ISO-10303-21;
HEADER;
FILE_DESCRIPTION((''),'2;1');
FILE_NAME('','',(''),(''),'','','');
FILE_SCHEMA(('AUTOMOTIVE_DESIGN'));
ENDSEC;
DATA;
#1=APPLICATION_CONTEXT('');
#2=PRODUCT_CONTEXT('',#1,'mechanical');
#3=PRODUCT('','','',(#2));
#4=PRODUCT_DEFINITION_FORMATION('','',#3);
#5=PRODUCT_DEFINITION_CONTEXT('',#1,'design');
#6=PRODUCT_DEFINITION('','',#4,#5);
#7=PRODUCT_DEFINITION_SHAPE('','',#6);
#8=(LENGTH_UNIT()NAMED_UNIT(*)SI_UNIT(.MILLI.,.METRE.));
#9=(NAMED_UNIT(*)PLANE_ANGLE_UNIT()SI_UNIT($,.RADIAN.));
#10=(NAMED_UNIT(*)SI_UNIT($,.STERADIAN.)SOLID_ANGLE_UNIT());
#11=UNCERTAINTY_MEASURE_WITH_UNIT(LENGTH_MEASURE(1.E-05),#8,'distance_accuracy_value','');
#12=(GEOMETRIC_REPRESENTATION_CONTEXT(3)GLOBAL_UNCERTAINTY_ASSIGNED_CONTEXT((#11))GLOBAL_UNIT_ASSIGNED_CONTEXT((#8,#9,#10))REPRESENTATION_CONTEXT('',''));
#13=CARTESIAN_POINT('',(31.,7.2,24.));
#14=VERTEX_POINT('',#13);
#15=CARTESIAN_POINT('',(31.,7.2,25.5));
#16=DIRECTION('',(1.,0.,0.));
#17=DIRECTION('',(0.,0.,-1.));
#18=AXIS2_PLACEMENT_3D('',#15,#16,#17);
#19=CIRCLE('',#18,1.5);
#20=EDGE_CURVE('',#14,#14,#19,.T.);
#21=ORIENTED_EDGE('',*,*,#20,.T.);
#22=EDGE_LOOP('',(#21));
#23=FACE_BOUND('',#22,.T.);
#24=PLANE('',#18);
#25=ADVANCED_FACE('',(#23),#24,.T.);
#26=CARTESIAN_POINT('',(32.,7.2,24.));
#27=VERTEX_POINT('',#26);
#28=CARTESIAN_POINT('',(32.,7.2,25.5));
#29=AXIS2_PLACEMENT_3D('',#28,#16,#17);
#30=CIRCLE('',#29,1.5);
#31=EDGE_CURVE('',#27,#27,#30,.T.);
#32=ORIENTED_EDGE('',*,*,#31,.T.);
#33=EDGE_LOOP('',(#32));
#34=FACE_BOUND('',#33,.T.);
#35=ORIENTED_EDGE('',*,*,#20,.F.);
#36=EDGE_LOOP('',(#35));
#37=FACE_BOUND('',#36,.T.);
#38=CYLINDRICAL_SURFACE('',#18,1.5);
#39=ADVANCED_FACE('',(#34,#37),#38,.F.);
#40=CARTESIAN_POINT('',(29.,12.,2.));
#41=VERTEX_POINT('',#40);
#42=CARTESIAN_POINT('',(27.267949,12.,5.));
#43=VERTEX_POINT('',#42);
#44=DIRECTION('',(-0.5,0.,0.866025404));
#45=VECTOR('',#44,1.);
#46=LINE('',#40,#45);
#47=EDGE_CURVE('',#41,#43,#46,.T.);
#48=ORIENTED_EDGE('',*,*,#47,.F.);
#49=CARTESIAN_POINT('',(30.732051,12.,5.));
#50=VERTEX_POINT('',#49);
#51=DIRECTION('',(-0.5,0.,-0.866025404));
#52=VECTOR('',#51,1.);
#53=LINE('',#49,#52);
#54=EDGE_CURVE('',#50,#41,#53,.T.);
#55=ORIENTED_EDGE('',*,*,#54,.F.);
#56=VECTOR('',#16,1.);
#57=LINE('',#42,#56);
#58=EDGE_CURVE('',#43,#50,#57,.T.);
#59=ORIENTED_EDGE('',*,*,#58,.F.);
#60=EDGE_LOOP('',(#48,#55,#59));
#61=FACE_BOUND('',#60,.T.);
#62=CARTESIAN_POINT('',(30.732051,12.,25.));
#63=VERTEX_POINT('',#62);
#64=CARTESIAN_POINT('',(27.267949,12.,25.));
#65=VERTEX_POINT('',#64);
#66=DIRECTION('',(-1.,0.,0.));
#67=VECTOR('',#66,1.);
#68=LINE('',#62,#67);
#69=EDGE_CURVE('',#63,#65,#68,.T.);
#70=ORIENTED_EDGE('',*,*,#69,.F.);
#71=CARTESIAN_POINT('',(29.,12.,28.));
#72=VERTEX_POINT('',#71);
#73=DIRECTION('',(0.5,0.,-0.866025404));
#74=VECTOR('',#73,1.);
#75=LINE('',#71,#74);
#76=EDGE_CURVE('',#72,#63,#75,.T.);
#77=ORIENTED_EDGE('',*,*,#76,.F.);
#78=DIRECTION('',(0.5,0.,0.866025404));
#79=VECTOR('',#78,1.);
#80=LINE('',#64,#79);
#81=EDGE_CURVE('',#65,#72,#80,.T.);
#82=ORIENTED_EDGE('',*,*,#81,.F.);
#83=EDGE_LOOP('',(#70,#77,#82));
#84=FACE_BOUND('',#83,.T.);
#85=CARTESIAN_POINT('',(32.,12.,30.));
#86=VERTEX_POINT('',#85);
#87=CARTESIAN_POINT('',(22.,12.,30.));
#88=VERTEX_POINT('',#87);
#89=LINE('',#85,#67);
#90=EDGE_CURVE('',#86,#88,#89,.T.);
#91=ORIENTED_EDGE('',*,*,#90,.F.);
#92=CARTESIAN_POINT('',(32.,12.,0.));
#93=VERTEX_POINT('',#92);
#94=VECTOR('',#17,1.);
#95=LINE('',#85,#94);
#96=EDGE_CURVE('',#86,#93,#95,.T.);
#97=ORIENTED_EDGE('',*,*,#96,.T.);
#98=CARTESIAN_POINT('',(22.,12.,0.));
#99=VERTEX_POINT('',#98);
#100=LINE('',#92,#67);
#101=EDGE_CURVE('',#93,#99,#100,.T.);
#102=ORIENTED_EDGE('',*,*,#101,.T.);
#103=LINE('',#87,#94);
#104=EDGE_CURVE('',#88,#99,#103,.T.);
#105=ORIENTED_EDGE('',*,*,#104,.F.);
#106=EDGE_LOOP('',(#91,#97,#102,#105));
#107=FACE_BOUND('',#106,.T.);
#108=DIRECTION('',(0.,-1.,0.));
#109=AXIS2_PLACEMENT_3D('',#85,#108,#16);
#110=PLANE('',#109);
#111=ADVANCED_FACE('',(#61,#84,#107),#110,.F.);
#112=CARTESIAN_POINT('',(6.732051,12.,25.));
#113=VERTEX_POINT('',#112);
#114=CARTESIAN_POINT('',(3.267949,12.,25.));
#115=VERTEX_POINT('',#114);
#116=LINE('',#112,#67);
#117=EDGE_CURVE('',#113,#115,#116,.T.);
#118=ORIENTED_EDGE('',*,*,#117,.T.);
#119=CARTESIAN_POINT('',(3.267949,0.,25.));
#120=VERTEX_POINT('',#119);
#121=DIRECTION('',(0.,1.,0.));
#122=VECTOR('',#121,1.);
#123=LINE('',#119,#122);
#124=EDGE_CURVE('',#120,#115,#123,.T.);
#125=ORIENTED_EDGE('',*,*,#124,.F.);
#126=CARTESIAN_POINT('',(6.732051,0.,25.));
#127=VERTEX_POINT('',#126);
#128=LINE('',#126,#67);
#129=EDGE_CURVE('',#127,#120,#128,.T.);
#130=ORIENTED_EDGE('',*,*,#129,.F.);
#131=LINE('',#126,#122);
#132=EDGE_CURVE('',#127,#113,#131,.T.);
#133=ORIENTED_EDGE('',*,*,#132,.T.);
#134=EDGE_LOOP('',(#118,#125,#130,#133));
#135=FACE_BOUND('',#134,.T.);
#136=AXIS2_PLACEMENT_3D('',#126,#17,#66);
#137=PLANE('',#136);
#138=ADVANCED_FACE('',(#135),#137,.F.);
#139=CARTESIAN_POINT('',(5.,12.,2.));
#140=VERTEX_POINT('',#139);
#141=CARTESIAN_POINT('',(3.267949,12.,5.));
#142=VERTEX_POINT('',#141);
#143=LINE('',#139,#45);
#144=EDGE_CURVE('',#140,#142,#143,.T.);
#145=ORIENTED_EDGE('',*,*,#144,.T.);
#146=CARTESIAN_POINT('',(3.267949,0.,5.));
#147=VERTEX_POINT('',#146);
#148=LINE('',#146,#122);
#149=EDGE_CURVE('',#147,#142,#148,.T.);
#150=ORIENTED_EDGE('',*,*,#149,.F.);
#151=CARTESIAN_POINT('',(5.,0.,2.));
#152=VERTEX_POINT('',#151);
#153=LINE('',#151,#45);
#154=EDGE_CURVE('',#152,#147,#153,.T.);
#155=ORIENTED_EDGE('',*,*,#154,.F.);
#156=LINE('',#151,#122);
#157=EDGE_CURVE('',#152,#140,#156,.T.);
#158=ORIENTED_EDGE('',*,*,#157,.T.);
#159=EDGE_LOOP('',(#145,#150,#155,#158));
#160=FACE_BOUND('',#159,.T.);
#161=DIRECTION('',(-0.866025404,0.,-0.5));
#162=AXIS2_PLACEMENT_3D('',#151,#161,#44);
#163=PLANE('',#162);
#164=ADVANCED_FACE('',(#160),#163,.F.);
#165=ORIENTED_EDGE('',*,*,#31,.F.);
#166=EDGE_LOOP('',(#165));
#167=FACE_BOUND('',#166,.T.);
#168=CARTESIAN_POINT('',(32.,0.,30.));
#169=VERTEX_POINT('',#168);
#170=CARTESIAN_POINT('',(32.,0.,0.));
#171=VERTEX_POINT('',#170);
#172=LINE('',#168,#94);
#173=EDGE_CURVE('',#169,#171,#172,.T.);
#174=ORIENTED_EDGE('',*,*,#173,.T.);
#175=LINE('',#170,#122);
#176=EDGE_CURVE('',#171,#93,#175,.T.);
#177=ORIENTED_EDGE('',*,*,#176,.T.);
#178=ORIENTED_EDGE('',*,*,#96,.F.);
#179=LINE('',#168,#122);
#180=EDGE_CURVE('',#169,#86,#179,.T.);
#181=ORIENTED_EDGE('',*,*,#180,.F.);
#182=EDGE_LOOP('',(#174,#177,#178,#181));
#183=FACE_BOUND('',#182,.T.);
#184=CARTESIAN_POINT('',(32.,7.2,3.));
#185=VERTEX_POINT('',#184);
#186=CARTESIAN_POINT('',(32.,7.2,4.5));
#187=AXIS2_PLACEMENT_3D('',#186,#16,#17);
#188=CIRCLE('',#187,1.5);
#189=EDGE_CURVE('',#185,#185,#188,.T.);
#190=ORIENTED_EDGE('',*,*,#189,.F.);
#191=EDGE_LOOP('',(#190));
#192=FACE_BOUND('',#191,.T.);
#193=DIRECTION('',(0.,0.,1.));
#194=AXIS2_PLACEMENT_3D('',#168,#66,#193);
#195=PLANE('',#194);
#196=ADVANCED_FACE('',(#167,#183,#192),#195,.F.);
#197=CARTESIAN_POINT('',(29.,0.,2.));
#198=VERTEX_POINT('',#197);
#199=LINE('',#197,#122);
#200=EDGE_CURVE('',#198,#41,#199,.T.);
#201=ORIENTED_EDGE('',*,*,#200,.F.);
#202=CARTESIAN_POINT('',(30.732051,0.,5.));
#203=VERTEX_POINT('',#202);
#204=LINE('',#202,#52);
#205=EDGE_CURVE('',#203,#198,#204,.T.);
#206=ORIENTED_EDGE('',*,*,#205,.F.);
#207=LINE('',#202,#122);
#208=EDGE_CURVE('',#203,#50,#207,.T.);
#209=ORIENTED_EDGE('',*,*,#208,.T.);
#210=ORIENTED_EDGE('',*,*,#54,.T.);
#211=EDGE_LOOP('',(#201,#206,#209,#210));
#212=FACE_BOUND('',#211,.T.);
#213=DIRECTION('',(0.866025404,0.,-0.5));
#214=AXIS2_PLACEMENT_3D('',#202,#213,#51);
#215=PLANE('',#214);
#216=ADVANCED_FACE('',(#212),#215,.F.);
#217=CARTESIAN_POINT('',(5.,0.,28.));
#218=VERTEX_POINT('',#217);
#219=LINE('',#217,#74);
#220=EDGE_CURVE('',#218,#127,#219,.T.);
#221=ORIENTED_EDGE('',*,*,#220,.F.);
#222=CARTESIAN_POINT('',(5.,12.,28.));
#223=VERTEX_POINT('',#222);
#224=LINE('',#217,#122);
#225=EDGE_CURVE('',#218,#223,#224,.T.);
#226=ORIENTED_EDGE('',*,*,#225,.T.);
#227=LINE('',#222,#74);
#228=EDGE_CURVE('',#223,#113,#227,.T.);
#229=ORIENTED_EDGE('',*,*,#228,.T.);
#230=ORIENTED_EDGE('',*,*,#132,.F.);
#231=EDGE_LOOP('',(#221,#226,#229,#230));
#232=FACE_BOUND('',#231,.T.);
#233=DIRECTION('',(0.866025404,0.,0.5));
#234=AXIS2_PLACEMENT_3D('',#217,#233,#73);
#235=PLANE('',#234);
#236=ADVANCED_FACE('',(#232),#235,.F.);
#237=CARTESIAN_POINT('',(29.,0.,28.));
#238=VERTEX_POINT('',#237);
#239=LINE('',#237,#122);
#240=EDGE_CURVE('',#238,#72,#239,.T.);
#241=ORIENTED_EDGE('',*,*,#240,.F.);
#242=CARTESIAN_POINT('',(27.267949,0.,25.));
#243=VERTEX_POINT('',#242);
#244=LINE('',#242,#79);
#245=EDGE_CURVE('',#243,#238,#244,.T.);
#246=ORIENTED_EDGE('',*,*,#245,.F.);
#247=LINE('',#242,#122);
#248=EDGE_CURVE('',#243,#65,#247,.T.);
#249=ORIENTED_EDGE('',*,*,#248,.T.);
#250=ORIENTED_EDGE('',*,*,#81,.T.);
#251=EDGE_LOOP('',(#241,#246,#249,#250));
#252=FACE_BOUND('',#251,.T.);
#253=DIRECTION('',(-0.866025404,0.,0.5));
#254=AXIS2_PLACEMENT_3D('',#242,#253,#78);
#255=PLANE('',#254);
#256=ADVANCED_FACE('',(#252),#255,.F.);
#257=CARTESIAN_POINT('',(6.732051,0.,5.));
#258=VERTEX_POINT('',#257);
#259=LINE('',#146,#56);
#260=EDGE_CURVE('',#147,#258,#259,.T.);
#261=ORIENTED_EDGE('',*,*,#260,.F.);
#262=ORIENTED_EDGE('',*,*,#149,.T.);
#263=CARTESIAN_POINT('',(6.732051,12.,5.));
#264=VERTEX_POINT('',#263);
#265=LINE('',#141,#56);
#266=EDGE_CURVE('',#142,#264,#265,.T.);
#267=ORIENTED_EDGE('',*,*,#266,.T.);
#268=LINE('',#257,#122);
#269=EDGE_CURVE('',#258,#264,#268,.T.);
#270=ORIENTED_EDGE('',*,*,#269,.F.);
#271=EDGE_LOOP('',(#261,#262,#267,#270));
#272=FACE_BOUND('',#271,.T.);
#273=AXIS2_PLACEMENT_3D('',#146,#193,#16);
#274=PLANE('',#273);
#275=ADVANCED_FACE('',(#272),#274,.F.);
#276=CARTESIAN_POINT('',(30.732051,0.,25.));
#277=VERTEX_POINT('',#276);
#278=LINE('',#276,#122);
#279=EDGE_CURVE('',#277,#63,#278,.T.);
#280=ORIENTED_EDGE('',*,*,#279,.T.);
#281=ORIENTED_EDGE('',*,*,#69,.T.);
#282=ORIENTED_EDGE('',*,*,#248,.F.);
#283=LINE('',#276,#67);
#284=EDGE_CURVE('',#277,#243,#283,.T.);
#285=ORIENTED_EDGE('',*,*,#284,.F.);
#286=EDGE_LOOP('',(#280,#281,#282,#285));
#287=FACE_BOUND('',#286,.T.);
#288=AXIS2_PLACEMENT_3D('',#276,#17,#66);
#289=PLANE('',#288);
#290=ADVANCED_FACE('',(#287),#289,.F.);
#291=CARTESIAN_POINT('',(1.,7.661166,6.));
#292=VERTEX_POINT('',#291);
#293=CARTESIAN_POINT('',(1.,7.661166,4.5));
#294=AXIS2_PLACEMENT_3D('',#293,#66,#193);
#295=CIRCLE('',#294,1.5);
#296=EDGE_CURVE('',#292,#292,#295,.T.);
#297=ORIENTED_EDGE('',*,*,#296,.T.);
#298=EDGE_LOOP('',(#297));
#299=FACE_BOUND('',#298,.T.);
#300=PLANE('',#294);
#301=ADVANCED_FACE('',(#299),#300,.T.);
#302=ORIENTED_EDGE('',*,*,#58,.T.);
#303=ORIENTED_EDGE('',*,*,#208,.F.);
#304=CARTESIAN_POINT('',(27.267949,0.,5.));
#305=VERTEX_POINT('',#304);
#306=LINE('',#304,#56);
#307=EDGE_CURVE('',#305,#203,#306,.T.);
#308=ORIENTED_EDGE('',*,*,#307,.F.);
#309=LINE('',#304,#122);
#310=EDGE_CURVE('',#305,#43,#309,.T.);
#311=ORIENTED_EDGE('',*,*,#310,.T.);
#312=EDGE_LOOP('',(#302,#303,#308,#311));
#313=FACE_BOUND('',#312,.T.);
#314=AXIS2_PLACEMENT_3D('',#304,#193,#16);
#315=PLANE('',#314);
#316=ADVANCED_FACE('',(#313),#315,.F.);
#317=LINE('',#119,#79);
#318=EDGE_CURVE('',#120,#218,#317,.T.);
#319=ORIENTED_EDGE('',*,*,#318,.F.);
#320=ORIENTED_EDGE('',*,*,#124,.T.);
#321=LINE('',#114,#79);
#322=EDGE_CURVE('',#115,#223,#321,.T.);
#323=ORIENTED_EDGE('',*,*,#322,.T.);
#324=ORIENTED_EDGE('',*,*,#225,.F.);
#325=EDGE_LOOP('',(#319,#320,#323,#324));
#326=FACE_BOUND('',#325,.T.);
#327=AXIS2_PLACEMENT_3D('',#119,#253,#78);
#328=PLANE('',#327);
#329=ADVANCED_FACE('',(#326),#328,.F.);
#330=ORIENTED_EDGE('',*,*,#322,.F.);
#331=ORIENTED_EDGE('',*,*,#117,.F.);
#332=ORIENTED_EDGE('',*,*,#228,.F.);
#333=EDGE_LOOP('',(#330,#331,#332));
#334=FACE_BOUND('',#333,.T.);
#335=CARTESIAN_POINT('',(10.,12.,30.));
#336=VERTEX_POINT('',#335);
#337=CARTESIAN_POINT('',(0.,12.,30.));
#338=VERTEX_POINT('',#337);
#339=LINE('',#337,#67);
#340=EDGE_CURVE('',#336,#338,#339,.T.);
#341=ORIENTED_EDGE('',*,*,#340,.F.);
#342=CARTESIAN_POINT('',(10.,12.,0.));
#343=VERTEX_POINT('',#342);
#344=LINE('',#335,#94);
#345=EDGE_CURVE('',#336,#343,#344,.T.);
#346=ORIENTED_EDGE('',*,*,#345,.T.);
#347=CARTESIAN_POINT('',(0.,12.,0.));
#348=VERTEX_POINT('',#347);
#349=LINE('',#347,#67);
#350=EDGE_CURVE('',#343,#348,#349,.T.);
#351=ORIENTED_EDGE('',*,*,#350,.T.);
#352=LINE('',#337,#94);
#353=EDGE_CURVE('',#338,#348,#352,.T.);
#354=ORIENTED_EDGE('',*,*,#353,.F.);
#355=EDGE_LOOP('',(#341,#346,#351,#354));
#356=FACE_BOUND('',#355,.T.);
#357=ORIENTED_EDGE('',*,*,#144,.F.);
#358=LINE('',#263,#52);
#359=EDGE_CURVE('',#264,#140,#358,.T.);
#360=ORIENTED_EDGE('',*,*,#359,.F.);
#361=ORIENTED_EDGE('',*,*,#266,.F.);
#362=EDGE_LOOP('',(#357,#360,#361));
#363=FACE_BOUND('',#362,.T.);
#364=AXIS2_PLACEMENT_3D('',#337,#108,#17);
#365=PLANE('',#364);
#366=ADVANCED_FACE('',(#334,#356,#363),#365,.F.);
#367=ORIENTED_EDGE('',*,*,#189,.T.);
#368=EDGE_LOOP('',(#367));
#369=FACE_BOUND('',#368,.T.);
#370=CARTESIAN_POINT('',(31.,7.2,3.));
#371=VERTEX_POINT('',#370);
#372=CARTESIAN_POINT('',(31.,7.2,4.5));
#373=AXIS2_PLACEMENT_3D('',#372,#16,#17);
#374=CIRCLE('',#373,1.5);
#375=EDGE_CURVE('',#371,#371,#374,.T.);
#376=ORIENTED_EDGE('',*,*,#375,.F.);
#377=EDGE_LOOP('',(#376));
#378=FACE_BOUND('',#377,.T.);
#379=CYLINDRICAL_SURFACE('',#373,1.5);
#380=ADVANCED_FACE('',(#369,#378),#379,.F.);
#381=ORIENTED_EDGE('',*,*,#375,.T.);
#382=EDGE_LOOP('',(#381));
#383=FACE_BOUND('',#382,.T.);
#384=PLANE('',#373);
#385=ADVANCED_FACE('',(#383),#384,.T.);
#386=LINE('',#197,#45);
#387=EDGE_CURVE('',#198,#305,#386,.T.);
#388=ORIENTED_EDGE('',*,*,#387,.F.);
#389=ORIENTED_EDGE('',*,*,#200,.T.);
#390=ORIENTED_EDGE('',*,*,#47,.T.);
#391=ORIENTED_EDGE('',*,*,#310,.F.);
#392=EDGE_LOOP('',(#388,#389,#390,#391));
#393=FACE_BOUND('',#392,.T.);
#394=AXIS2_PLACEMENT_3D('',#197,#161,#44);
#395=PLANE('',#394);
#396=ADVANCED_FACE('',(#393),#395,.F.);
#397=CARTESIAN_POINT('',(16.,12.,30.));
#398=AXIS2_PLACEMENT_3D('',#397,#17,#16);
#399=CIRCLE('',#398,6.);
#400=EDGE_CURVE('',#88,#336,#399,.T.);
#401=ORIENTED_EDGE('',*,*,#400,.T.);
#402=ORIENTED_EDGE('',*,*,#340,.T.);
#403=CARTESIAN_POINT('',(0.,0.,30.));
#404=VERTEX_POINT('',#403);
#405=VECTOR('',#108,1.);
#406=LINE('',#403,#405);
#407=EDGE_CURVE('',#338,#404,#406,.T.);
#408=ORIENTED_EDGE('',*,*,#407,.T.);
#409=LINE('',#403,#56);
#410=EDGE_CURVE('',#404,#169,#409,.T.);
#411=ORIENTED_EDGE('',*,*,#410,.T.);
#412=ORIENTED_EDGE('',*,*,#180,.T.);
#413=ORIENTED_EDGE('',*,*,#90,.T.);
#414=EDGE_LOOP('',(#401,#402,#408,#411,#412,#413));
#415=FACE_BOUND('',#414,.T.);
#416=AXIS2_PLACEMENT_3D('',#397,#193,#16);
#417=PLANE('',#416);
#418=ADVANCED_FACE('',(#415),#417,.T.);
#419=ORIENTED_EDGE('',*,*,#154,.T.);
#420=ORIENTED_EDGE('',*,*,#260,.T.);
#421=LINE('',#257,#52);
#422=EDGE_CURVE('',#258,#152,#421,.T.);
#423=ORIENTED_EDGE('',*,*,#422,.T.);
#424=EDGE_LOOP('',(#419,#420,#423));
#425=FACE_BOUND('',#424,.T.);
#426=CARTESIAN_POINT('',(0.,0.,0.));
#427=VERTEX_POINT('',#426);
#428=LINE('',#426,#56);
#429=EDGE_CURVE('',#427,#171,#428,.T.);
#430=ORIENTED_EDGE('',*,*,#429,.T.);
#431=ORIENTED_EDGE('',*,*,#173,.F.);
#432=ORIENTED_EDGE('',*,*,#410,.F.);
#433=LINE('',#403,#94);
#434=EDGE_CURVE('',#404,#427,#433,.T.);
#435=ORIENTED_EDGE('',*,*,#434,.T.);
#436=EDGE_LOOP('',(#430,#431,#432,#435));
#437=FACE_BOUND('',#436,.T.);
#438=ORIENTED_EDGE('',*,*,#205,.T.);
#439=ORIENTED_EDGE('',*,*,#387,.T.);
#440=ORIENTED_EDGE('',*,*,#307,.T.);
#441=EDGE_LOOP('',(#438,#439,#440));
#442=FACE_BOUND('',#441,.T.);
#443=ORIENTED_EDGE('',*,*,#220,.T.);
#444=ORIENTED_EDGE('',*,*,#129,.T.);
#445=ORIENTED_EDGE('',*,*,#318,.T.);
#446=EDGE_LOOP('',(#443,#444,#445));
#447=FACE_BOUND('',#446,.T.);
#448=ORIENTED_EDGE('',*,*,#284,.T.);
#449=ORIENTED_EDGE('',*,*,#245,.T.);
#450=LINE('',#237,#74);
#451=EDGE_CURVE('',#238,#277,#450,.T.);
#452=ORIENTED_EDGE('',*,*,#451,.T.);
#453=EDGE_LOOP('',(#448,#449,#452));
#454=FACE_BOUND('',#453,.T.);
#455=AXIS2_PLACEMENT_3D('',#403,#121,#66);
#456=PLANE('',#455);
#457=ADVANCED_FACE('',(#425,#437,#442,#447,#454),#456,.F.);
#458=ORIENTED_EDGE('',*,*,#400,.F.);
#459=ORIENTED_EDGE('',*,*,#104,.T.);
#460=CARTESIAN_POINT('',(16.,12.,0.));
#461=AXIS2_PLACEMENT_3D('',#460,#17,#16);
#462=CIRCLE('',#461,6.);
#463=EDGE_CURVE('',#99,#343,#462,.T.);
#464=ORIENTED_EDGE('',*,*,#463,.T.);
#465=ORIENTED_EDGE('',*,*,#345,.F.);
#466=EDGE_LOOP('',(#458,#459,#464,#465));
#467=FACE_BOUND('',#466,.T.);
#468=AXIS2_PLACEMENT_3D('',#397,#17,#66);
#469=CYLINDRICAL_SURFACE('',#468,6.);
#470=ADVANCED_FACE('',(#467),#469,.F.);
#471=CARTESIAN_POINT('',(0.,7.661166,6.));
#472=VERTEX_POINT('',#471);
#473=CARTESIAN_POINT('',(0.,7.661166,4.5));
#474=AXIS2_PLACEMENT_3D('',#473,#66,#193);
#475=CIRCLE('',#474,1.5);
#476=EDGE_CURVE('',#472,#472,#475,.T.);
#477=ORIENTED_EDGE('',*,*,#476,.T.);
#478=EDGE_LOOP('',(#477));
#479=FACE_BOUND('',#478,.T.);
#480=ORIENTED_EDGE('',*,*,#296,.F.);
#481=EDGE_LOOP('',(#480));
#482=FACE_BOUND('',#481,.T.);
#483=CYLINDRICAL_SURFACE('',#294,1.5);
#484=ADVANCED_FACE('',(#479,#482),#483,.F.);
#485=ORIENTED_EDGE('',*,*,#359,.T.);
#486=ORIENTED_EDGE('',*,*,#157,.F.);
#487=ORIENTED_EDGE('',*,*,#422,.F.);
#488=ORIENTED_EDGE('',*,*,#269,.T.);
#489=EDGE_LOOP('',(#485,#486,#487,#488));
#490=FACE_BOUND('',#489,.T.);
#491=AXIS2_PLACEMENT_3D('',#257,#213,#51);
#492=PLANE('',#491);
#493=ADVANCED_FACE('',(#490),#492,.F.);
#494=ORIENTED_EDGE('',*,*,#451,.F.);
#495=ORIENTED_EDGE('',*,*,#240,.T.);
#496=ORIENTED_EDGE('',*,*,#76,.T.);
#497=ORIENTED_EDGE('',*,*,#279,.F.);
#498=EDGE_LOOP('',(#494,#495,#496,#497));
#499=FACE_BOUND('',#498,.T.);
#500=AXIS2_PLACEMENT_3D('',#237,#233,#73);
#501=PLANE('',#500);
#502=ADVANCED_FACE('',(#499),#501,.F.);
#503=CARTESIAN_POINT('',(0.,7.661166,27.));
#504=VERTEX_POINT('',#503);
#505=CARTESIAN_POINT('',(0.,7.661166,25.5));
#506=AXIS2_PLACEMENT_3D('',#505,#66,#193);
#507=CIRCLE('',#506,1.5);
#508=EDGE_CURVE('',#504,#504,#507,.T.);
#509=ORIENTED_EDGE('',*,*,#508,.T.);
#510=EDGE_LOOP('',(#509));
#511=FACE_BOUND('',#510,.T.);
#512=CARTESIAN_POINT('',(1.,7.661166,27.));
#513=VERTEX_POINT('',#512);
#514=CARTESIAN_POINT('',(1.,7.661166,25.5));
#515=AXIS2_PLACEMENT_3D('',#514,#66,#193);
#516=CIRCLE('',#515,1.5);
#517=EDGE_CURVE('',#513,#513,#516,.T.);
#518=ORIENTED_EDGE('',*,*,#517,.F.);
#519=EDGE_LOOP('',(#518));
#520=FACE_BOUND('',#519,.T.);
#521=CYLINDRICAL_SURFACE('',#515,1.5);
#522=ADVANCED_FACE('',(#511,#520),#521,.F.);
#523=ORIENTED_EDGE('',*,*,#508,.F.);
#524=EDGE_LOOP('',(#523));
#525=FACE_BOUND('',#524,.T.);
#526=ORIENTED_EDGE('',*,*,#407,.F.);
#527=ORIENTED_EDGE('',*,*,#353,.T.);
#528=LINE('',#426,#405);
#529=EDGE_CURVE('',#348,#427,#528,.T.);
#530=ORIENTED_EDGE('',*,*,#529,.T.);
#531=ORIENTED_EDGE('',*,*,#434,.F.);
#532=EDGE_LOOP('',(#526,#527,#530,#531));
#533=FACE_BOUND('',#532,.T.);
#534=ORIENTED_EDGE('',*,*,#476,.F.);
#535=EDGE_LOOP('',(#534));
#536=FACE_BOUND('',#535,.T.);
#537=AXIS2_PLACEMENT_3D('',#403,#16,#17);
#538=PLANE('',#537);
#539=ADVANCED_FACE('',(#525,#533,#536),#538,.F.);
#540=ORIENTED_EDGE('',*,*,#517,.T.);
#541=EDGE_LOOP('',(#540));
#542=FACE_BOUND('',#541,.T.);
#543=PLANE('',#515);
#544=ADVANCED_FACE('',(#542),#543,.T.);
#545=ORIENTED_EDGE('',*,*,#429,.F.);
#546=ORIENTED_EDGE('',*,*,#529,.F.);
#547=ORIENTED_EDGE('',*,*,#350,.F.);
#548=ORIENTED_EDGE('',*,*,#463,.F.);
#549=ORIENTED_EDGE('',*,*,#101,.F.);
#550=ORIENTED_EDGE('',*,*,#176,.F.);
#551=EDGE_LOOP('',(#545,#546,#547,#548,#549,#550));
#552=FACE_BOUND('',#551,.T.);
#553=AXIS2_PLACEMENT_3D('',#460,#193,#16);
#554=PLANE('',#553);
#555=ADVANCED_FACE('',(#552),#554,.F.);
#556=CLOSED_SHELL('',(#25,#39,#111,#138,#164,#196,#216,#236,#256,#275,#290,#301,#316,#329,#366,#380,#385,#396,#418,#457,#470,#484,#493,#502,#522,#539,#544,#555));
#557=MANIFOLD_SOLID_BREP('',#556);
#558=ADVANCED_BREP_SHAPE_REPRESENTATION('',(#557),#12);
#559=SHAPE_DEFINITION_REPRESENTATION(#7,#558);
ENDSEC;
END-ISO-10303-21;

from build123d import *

# Parameters (mm, degrees)
BOSS_EXTRUDE1_DEPTH = 30
CUT_EXTRUDE1_DEPTH  = 13
SKETCH5_R           = 1.5
CUT_EXTRUDE2_DEPTH  = 1
SKETCH6_R           = 1.5
CUT_EXTRUDE3_DEPTH  = 1


with BuildPart() as part:
    # Sketch1 → Boss-Extrude1 (new body)
    with BuildSketch(Plane.XY):
        with BuildLine():
            Line((0, 0), (0, 12))
            Line((0, 12), (10, 12))
            ThreePointArc((10, 12), (16, 6), (22, 12))
            Line((22, 12), (32, 12))
            Line((32, 12), (32, 0))
            Line((32, 0), (0, 0))
        make_face()
    extrude(amount=BOSS_EXTRUDE1_DEPTH)

    # Sketch4 → Cut-Extrude1 (cut, through all)
    with BuildSketch(Plane(origin=(0, 12, 0), x_dir=(1, 0, 0), z_dir=(0, 1, 0))):
        Polygon((5, -2), (3.267949192, -5), (6.732050808, -5), align=None)
        Polygon((5, -28), (6.732050808, -25), (3.267949192, -25), align=None)
        Polygon((29, -28), (30.732050808, -25), (27.267949192, -25), align=None)
        Polygon((29, -2), (27.267949192, -5), (30.732050808, -5), align=None)
    extrude(amount=-CUT_EXTRUDE1_DEPTH, mode=Mode.SUBTRACT)

    # Sketch5 → Cut-Extrude2 (cut)
    with BuildSketch(Plane(origin=(32, 0, 0), x_dir=(0, 0, -1), z_dir=(1, 0, 0))):
        with Locations((-25.5, 7.2)):
            Circle(SKETCH5_R)
        with Locations((-4.5, 7.2)):
            Circle(SKETCH5_R)
    extrude(amount=-CUT_EXTRUDE2_DEPTH, mode=Mode.SUBTRACT)

    # Sketch6 → Cut-Extrude3 (cut)
    with BuildSketch(Plane.ZY):
        with Locations((4.5, 7.661165518)):
            Circle(SKETCH6_R)
        with Locations((25.5, 7.661165518)):
            Circle(SKETCH6_R)
    extrude(amount=-CUT_EXTRUDE3_DEPTH, mode=Mode.SUBTRACT)


solid = part.part
